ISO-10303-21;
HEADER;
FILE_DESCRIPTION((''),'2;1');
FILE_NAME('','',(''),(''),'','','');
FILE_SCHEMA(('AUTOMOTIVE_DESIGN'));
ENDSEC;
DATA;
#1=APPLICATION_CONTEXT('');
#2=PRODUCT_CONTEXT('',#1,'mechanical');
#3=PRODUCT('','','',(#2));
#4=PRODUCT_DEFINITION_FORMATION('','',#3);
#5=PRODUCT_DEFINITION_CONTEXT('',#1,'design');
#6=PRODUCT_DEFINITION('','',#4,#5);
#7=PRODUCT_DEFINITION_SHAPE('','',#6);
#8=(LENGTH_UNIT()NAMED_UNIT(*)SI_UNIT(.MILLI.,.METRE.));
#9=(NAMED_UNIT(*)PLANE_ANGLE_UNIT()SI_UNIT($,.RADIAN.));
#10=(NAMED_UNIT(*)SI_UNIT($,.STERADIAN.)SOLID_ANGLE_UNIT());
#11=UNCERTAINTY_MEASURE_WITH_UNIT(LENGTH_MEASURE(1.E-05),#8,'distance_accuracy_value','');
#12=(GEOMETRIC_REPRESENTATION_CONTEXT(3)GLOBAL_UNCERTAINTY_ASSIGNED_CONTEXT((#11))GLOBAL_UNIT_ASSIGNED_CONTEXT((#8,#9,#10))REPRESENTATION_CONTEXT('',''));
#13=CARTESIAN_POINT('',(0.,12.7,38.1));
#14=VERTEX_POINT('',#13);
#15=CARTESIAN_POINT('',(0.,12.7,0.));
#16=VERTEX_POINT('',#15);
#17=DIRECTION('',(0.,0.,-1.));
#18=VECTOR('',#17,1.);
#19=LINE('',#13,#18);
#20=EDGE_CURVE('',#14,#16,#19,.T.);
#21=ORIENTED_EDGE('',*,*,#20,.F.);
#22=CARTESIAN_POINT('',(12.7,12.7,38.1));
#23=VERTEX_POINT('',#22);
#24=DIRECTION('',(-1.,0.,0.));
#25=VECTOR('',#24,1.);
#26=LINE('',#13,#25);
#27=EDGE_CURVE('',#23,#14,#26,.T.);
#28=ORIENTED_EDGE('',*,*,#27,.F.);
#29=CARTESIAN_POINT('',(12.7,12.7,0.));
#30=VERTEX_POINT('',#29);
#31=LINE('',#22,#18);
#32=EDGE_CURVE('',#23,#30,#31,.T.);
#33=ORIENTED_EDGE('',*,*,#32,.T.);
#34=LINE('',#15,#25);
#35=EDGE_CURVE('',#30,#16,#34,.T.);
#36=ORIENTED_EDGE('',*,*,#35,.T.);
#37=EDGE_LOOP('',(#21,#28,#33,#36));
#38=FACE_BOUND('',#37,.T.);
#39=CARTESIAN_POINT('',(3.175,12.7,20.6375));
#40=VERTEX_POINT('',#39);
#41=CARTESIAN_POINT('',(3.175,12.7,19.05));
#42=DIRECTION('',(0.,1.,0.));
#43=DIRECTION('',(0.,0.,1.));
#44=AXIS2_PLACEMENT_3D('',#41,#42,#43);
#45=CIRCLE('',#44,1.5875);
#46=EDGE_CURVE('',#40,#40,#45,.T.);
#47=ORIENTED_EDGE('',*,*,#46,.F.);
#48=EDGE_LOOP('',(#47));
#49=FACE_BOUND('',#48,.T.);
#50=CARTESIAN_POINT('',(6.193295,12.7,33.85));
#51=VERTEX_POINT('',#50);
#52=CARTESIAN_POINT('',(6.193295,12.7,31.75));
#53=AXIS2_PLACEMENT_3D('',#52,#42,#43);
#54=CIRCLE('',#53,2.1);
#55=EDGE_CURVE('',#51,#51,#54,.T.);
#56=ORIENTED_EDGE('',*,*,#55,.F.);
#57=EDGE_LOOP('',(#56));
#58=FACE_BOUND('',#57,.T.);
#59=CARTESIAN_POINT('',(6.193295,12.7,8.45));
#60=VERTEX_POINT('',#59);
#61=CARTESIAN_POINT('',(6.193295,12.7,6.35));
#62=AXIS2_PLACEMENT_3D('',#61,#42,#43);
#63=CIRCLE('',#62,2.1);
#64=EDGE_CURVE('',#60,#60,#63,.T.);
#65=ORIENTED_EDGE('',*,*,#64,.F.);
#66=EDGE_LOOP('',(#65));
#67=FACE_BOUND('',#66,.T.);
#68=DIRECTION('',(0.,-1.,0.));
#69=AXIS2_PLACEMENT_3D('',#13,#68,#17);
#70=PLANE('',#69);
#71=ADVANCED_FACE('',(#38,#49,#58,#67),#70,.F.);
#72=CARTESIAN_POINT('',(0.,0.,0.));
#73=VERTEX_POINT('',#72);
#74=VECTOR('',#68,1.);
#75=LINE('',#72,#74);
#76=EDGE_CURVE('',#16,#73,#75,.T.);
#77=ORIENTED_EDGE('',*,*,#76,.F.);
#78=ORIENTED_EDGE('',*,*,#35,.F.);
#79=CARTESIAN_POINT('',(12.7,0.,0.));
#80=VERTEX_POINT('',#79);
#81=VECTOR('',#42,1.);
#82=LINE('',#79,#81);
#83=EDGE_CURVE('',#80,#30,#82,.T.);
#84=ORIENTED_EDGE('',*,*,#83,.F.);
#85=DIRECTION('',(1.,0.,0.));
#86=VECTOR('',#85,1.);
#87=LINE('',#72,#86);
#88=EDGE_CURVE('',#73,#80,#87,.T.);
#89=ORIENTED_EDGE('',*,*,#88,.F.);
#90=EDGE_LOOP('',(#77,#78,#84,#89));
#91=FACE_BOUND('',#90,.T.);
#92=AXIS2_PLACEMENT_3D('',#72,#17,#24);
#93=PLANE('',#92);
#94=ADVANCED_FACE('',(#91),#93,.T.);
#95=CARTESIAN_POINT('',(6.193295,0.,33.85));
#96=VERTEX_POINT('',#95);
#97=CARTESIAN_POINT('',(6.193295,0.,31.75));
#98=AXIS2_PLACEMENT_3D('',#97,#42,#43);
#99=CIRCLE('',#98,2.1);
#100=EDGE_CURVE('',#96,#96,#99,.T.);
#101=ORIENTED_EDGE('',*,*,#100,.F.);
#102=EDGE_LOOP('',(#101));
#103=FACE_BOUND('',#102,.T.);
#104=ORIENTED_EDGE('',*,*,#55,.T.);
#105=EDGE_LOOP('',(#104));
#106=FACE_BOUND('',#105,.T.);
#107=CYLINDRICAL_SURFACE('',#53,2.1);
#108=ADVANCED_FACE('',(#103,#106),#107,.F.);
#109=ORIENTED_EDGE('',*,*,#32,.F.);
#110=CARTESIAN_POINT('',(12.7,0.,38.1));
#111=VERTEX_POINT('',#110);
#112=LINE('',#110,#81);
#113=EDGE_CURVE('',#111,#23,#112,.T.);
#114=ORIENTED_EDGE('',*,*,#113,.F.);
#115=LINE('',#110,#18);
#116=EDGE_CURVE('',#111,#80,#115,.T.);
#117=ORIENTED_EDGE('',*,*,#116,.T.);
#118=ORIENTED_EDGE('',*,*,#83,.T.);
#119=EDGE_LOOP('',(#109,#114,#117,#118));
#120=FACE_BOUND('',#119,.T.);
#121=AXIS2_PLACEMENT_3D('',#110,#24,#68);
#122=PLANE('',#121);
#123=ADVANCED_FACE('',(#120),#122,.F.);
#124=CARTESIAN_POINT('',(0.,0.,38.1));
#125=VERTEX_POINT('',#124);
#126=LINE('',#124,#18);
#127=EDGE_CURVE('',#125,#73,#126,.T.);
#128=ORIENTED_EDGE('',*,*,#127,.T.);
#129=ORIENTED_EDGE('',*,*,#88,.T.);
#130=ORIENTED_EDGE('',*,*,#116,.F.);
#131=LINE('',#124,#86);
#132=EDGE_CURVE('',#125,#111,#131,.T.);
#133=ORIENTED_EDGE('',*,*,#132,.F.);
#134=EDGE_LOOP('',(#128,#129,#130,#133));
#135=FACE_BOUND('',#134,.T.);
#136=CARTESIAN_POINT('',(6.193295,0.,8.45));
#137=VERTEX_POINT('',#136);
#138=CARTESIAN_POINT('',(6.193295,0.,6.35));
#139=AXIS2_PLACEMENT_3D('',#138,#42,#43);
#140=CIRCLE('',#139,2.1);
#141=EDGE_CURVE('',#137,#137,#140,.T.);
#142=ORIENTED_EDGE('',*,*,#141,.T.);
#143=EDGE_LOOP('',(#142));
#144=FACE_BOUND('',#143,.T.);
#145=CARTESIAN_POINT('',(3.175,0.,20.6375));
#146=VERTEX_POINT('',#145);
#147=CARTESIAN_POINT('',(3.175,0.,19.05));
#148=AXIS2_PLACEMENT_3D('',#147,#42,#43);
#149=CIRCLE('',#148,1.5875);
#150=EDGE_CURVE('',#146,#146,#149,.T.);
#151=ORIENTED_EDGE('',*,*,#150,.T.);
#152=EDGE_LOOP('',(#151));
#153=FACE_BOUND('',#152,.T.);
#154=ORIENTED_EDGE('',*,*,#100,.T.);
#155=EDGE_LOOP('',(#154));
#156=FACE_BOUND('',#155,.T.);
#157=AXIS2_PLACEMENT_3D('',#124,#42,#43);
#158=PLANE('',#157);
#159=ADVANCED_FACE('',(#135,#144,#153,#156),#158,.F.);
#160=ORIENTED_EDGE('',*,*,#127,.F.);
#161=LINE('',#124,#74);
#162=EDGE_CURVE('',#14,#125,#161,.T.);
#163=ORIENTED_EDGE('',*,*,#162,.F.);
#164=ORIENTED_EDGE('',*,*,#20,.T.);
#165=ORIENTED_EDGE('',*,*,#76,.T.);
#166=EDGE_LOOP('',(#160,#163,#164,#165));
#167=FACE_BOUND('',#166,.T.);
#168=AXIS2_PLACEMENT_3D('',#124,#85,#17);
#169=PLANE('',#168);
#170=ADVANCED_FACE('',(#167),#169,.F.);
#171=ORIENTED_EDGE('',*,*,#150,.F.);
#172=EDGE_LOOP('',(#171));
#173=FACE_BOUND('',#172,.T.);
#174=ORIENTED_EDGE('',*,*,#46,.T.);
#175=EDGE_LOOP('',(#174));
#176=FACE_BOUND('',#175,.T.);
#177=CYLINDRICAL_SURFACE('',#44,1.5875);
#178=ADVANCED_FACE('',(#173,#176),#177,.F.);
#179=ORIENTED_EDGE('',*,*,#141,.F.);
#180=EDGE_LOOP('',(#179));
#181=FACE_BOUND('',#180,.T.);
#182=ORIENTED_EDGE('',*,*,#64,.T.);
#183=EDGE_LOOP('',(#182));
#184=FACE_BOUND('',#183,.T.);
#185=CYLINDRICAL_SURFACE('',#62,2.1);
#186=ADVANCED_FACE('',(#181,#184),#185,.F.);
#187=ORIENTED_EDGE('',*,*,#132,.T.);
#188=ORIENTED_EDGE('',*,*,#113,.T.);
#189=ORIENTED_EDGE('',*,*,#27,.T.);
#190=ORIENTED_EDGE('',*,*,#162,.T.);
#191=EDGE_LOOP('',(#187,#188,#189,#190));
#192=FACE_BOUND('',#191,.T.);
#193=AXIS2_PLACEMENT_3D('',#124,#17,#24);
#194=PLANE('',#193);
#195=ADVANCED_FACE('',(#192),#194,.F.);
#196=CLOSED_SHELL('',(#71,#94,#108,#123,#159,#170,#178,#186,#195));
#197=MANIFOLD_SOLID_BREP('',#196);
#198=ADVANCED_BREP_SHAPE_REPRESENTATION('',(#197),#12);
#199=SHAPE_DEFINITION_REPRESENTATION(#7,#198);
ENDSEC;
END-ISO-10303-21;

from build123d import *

# Parameters (mm, degrees)
SKETCH1_W                    = 12.7
SKETCH1_H                    = 12.7
BOSS_EXTRUDE1_DEPTH          = 38.1
TAP_DRILL_FOR_M5X0_8_TAP1_D  = 4.2
F_1_8_0_125_DIAMETER_HOLE1_D = 3.175


with BuildPart() as part:
    # Sketch1 → Boss-Extrude1 (new body)
    with BuildSketch(Plane.XY):
        with Locations((6.35, 6.35)):
            Rectangle(SKETCH1_W, SKETCH1_H)
    extrude(amount=BOSS_EXTRUDE1_DEPTH)

    # Tap Drill for M5x0.8 Tap1 (through all)
    with Locations(Plane(origin=(0, 12.7, 0), x_dir=(1, 0, 0), z_dir=(0, 1, 0))):
        with Locations((6.193295447, -6.35), (6.193295447, -31.75)):
            Hole(TAP_DRILL_FOR_M5X0_8_TAP1_D / 2)

    # 1/8 (0.125) Diameter Hole1 (through all)
    with Locations(Plane(origin=(0, 12.7, 0), x_dir=(1, 0, 0), z_dir=(0, 1, 0))):
        with Locations((3.175, -19.05)):
            Hole(F_1_8_0_125_DIAMETER_HOLE1_D / 2)


solid = part.part
